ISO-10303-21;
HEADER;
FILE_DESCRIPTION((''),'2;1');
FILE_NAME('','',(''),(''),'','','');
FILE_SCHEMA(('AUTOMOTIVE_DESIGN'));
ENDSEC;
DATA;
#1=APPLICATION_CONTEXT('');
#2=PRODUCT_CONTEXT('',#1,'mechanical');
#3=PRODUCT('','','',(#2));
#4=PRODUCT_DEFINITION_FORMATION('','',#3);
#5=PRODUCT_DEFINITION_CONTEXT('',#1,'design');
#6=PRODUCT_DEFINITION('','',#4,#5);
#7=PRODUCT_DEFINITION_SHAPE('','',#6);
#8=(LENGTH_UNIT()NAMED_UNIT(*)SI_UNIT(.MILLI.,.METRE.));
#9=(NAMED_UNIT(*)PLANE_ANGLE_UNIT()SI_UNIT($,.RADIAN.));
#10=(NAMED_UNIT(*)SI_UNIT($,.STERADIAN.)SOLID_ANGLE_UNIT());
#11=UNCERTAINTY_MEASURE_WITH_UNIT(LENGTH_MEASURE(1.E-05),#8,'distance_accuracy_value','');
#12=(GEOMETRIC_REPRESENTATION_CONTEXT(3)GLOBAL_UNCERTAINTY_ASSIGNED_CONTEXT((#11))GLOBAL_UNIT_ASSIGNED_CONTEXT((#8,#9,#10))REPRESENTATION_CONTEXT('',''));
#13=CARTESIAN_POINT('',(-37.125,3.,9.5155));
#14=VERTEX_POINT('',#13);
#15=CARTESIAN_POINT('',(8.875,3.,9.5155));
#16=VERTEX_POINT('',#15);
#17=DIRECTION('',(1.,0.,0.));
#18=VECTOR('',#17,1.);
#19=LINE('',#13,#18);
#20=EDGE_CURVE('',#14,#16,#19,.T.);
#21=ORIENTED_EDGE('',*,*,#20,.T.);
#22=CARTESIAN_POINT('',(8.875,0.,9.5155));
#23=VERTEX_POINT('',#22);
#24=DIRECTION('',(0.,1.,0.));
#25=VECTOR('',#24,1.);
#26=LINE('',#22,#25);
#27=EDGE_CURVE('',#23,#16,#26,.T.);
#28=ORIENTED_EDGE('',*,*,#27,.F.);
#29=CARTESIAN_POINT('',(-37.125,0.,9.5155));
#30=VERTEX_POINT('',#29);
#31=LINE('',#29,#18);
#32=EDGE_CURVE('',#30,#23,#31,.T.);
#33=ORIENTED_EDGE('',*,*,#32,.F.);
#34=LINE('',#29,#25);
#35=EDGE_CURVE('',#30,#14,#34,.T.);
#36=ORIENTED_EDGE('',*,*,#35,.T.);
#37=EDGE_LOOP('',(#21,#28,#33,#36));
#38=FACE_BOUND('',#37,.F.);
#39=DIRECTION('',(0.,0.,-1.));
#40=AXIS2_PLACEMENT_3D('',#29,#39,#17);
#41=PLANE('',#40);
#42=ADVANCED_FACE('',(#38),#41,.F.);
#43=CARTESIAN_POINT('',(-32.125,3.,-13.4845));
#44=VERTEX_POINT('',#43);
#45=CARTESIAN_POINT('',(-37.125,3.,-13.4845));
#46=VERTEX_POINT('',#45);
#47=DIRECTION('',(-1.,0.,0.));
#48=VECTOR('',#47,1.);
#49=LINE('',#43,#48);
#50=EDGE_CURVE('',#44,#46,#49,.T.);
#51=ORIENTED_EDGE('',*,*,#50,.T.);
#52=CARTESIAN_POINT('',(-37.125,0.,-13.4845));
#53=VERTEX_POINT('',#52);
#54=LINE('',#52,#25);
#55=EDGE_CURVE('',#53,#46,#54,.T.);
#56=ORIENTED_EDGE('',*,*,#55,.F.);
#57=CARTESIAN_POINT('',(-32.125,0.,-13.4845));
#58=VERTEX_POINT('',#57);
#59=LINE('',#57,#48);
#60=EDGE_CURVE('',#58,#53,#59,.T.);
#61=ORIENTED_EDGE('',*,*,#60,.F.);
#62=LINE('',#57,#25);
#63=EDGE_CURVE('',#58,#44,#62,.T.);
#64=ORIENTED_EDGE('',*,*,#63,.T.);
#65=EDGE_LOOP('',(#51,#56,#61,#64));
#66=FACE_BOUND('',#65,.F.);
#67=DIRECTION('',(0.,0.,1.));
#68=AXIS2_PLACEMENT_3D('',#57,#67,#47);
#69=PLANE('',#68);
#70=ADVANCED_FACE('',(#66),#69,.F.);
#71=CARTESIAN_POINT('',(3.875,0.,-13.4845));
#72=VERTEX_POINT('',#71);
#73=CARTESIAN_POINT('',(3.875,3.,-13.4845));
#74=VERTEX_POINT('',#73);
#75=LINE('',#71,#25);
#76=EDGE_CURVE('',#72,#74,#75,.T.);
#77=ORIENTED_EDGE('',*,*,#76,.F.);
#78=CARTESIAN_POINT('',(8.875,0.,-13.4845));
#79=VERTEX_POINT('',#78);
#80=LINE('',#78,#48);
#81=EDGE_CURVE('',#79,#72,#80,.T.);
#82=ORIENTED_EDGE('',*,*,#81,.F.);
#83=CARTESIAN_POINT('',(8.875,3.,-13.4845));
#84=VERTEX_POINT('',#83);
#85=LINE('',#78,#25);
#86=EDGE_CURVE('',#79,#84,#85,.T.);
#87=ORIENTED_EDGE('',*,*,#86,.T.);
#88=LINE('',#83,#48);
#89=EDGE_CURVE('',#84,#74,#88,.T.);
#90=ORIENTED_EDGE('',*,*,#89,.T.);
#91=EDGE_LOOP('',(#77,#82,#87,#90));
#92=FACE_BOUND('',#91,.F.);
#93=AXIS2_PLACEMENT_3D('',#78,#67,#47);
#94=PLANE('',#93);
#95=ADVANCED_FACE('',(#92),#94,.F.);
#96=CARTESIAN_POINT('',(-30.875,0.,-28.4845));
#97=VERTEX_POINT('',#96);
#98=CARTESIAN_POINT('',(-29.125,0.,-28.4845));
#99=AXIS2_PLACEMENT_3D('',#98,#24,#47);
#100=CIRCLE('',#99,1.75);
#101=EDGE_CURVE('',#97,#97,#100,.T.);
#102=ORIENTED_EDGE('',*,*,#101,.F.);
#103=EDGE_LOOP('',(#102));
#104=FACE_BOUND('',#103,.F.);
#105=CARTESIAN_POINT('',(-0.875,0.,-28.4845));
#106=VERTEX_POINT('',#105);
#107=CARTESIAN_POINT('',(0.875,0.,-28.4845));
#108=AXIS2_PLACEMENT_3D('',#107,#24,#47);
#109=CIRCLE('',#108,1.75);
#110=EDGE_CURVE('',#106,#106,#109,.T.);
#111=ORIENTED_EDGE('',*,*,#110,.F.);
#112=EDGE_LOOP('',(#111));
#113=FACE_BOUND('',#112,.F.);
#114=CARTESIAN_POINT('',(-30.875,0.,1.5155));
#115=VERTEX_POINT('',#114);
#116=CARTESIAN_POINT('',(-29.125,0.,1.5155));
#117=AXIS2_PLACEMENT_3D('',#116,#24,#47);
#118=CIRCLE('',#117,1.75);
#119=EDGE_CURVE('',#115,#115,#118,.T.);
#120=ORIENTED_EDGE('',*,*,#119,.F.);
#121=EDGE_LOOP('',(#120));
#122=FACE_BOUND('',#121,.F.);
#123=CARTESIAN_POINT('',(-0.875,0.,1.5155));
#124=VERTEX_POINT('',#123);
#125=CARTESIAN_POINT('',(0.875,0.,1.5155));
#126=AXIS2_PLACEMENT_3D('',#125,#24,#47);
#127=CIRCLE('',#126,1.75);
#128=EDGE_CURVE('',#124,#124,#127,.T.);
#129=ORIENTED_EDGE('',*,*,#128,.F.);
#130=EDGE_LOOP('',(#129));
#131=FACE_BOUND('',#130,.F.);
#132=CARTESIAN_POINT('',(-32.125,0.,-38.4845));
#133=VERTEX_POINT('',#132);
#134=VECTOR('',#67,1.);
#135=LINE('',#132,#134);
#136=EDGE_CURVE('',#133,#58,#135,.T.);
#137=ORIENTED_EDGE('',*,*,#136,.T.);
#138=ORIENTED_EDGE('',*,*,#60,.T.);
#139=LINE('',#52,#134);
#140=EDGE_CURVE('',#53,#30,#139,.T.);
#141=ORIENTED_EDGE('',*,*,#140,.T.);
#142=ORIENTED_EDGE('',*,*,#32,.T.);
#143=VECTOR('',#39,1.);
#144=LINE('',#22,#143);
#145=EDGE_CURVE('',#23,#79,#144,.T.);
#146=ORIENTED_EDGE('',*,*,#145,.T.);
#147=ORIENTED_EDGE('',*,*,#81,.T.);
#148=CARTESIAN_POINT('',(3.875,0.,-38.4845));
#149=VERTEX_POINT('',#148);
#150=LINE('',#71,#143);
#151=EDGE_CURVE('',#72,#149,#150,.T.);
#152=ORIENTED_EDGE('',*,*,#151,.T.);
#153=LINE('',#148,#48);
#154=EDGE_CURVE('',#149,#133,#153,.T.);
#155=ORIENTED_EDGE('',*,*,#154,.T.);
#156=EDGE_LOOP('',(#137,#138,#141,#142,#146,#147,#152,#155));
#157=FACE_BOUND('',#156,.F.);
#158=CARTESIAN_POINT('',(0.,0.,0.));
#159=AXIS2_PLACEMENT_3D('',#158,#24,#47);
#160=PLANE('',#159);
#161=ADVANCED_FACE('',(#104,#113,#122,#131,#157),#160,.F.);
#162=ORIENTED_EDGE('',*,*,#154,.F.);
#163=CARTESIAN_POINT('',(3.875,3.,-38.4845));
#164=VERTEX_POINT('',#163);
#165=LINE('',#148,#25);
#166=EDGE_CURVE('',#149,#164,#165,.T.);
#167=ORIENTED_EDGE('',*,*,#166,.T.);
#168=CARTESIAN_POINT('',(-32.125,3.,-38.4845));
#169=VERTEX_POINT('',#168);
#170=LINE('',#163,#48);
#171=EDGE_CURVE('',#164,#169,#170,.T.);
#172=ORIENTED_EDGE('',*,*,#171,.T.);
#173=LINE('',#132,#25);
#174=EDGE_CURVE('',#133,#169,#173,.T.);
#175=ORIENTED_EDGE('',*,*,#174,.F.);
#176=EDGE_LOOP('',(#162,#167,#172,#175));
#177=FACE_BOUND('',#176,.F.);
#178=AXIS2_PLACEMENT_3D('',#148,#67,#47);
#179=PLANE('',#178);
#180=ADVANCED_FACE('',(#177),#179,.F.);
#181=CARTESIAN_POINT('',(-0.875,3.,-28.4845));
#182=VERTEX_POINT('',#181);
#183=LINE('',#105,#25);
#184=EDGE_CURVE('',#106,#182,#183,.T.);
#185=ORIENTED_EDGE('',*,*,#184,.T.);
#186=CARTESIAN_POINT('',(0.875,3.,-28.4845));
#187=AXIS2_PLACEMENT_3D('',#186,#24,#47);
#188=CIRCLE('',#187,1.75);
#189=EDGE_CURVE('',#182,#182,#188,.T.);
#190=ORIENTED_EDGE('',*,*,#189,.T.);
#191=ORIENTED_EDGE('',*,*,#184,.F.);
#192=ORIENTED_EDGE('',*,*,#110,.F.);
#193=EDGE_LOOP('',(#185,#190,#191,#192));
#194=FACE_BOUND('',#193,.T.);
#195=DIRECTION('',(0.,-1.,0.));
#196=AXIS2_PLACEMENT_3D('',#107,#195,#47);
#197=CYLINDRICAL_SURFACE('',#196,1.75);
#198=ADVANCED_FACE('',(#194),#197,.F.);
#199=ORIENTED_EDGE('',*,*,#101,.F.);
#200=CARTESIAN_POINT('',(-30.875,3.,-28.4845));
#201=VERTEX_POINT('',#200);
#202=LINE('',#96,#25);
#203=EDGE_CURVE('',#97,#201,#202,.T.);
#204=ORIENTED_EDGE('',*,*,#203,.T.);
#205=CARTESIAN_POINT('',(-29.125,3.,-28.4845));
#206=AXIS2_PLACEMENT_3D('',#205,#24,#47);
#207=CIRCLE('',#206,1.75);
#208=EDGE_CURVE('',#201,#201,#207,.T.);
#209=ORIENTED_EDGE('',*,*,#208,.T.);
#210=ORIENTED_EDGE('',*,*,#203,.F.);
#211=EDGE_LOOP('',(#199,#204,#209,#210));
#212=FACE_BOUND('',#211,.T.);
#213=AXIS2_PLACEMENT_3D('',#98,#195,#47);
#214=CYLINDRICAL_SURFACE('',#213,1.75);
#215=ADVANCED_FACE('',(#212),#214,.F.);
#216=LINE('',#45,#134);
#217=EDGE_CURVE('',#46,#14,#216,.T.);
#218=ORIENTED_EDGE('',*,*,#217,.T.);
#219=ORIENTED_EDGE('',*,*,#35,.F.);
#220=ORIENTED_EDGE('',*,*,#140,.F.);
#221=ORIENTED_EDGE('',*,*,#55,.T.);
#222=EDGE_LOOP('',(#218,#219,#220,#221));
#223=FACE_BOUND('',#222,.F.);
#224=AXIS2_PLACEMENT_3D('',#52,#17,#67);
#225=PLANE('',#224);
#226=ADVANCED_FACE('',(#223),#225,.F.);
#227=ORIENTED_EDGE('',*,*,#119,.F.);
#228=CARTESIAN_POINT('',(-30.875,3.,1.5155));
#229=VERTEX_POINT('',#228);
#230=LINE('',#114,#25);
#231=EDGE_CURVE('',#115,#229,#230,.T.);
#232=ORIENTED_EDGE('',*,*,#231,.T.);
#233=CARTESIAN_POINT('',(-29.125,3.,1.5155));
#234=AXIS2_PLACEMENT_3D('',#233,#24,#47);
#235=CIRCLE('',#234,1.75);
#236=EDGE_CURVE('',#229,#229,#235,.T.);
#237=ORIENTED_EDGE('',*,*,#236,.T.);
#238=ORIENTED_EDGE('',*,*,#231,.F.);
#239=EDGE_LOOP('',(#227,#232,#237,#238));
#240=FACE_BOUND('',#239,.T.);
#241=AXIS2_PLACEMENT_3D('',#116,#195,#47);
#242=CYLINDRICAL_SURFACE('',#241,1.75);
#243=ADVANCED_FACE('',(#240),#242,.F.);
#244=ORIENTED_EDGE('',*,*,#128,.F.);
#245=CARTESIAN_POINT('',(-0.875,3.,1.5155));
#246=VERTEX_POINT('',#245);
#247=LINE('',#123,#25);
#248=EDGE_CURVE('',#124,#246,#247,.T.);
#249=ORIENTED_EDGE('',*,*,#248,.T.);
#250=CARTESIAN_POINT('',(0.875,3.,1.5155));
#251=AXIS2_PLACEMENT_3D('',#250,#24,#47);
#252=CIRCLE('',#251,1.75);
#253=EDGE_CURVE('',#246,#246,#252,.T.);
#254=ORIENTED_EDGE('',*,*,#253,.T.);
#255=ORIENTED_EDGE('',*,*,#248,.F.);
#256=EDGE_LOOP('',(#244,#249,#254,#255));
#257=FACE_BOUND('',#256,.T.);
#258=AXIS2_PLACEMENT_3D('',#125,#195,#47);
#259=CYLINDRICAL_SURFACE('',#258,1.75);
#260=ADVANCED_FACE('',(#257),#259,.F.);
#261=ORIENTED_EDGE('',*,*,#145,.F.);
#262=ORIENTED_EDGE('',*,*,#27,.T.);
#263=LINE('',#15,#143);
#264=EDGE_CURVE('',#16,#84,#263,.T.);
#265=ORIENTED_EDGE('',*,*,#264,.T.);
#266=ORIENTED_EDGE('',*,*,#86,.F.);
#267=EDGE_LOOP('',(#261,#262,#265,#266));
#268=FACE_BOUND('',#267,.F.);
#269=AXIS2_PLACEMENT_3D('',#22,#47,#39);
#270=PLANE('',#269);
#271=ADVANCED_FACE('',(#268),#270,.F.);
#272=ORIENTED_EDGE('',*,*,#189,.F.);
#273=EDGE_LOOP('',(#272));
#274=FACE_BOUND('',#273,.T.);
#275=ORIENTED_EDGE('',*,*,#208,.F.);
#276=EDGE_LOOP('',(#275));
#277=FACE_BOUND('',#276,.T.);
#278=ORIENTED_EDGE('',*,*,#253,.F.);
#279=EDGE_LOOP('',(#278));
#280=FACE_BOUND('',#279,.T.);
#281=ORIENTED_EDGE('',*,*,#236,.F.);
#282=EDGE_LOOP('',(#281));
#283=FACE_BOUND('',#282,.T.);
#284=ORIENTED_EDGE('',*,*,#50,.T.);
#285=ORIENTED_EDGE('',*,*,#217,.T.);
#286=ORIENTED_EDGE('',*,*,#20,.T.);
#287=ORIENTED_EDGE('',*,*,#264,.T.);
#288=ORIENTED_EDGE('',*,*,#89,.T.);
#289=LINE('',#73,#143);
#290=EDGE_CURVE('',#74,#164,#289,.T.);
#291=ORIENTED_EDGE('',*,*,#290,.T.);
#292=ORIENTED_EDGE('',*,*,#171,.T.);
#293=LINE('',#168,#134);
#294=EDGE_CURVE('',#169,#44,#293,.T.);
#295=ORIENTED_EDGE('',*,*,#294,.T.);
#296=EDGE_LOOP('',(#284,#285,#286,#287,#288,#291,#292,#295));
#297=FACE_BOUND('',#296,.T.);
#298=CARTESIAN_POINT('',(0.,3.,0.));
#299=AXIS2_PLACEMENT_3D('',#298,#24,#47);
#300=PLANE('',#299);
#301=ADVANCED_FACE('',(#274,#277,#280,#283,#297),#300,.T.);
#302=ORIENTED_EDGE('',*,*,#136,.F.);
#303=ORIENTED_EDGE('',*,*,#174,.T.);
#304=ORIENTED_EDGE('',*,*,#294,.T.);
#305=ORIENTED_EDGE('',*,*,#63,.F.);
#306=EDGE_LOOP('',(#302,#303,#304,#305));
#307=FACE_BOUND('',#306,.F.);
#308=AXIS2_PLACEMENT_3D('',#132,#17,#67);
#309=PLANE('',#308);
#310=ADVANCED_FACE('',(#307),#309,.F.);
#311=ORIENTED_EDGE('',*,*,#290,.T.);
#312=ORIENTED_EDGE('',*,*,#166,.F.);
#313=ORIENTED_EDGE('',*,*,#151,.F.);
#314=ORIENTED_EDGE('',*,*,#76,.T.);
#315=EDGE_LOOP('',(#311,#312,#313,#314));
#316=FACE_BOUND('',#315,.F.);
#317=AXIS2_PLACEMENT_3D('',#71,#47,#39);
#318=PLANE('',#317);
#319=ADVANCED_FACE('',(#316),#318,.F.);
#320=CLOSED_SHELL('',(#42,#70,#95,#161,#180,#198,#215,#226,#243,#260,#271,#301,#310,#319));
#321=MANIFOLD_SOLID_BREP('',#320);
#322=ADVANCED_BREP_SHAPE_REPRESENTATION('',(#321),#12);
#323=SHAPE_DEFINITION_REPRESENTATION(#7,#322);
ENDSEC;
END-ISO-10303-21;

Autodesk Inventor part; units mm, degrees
ref_plane "YZ Plane" through (0, 0, 0) normal (1, 0, 0) x (0, 1, 0)
ref_plane "XZ Plane" through (0, 0, 0) normal (0, 1, 0) x (-1, 0, 0)
ref_plane "XY Plane" through (0, 0, 0) normal (0, 0, 1) x (1, 0, 0)
sketch "Sketch1" plane through (0, 0, 0) normal (0, 1, 0) x (-1, 0, 0)
  line L0 (37.125, 9.5155) -> (-8.875, 9.5155)
  line L1 (-8.875, 9.5155) -> (-8.875, -13.4845)
  line L2 (-8.875, -13.4845) -> (-3.875, -13.4845)
  line L3 (-3.875, -13.4845) -> (-3.875, -38.4845)
  line L4 (-3.875, -38.4845) -> (32.125, -38.4845)
  line L5 (32.125, -38.4845) -> (32.125, -13.4845)
  line L6 (32.125, -13.4845) -> (37.125, -13.4845)
  line L7 (37.125, -13.4845) -> (37.125, 9.5155)
  circle A0 centre (29.125, 1.5155) radius 1.75
  circle A1 centre (-0.875, 1.5155) radius 1.75
  circle A2 centre (-0.875, -28.4845) radius 1.75
  circle A3 centre (29.125, -28.4845) radius 1.75
  point P0 (0, 0)
  point P1 (14.125, -46.4845)
  dimension "d42" = 46
  dimension "d43" = 23
  dimension "d44" = 5
  dimension "d45" = 25
  dimension "d46" = 36
  dimension "d47" = 5
extrude "Extrusion1" add sketch "Sketch1" along normal blind 3
equation "\"BendRadius\" = Thickness"
equation "\"BendReliefWidth\" = Thickness"
equation "\"BendReliefDepth\" = 0.5 * Thickness"
equation "\"CornerReliefSize\" = 4 * Thickness"
equation "\"MinimumRemnant\" = 2 * Thickness"
equation "\"TransitionRadius\" = BendRadius"
equation "\"JacobiRadiusSize\" = BendRadius"
equation "\"GapSize\" = Thickness"
equation "\"Thickness\" = 3.048"
properties part number "Metal Plate for Arm Clamp Thingy for Keaton because he Asked so here it is thanks"
